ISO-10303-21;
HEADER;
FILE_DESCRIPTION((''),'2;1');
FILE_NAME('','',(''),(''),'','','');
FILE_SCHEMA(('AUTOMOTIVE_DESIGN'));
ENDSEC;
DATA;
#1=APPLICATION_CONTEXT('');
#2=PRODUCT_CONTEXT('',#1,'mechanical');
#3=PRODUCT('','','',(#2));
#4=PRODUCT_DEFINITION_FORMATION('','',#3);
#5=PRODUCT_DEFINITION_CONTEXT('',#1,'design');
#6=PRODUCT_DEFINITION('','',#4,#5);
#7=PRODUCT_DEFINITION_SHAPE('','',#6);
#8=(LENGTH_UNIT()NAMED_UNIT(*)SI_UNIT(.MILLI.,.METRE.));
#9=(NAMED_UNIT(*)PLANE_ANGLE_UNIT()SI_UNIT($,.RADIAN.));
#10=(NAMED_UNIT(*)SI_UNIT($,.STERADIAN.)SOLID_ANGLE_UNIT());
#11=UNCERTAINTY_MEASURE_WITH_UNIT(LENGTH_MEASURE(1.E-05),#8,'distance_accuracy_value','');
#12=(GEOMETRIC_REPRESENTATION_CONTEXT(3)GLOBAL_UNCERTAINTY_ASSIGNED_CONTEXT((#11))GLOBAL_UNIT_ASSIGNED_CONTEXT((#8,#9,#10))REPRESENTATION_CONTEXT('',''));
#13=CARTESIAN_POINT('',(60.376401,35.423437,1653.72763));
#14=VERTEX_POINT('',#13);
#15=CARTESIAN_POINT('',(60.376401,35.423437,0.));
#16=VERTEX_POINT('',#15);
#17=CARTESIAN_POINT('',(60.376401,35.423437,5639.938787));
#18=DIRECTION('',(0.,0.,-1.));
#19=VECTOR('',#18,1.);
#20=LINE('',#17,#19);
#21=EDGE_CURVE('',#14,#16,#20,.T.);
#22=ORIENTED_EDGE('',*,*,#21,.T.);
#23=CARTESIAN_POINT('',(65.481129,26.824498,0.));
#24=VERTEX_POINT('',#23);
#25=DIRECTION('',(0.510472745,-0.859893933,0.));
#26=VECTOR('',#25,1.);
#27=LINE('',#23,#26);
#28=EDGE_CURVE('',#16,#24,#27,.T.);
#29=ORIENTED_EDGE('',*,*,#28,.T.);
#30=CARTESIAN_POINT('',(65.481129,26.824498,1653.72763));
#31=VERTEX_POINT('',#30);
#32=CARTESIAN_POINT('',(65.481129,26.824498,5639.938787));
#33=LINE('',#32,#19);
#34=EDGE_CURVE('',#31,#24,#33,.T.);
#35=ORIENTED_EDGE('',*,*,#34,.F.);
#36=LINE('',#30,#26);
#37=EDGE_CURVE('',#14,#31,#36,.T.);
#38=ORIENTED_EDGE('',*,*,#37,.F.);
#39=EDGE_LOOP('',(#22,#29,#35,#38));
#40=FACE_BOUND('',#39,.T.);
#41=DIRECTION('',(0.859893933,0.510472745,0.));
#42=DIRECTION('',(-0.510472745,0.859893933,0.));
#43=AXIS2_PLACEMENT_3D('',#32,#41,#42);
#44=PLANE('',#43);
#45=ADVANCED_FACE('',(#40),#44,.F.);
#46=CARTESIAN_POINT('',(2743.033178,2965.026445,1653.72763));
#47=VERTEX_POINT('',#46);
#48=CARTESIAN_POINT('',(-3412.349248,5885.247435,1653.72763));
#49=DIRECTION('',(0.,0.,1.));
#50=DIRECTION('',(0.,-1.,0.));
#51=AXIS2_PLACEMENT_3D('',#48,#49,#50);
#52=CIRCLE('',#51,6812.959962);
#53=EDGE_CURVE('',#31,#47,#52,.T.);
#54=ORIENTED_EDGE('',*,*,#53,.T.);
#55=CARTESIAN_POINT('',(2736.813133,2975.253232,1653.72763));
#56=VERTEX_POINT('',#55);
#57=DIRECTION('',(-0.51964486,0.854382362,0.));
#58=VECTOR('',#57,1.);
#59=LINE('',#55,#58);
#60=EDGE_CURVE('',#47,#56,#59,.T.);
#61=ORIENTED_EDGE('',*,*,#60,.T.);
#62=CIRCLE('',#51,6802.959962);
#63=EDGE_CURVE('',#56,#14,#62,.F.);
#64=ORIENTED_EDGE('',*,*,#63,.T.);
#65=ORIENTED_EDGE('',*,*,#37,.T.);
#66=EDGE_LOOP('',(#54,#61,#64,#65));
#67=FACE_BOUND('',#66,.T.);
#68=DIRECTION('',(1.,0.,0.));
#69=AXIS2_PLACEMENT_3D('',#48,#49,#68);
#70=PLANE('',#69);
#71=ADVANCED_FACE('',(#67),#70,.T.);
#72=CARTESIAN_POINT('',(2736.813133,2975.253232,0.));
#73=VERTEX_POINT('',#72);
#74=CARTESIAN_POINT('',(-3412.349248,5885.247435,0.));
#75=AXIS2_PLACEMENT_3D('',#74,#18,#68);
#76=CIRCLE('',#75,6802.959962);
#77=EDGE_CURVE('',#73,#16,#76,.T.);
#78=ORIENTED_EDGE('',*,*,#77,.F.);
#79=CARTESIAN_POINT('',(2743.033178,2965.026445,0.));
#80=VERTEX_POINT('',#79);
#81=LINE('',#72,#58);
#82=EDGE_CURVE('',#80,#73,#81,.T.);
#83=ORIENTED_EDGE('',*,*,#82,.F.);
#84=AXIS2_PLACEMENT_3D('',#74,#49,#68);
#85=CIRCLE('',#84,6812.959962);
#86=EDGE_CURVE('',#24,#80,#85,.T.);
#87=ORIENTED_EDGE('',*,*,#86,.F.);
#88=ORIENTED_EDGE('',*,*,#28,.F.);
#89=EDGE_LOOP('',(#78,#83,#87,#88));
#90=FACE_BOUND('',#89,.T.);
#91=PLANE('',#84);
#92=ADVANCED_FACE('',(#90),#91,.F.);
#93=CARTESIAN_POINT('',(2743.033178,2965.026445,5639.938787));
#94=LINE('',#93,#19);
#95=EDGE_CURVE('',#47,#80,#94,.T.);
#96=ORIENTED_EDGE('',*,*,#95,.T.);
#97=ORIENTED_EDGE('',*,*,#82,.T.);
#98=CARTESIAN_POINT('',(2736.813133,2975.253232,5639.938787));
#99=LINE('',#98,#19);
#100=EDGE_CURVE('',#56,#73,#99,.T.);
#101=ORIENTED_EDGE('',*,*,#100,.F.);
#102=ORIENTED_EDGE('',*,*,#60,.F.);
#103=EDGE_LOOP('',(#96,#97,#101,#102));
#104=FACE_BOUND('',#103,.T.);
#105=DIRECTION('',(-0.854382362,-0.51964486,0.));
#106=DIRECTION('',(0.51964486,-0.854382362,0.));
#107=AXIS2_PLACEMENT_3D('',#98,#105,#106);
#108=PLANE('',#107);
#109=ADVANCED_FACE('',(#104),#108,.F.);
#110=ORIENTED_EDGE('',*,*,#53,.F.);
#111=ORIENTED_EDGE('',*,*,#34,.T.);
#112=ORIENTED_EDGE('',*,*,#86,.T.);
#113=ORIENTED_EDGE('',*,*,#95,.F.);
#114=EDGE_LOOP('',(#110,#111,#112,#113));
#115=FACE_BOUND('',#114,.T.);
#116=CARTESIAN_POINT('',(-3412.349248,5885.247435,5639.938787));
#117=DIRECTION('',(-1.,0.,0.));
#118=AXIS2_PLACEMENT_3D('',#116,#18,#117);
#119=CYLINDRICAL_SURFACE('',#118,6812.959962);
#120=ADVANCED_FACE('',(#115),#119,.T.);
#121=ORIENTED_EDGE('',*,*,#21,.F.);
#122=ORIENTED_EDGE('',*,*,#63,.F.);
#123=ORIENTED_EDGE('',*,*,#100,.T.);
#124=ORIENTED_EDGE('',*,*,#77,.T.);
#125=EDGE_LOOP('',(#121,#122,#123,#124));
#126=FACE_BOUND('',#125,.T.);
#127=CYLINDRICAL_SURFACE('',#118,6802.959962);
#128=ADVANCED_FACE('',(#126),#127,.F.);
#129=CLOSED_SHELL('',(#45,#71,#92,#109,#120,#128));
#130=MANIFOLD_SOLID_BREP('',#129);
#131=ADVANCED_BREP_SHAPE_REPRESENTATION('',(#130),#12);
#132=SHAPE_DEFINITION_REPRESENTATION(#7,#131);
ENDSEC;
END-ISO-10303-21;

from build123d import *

# Parameters (mm, degrees)
BOSS_EXTRUDE1_DEPTH = 1653.72763


with BuildPart() as part:
    # Sketch1 → Boss-Extrude1 (new body)
    with BuildSketch(Plane.XY):
        with BuildLine():
            Line((2736.813132837, 2975.253232414), (2743.033178483, 2965.026445424))
            ThreePointArc((2743.033178483, 2965.026445424), (1623.319019455, 1296.296733234), (65.481128808, 26.824497722))
            Line((65.481128808, 26.824497722), (60.376401353, 35.423437052))
            ThreePointArc((60.376401353, 35.423437052), (1618.140998777, 1305.462273997), (2736.813132837, 2975.253232414))
        make_face()
    extrude(amount=BOSS_EXTRUDE1_DEPTH)


solid = part.part
